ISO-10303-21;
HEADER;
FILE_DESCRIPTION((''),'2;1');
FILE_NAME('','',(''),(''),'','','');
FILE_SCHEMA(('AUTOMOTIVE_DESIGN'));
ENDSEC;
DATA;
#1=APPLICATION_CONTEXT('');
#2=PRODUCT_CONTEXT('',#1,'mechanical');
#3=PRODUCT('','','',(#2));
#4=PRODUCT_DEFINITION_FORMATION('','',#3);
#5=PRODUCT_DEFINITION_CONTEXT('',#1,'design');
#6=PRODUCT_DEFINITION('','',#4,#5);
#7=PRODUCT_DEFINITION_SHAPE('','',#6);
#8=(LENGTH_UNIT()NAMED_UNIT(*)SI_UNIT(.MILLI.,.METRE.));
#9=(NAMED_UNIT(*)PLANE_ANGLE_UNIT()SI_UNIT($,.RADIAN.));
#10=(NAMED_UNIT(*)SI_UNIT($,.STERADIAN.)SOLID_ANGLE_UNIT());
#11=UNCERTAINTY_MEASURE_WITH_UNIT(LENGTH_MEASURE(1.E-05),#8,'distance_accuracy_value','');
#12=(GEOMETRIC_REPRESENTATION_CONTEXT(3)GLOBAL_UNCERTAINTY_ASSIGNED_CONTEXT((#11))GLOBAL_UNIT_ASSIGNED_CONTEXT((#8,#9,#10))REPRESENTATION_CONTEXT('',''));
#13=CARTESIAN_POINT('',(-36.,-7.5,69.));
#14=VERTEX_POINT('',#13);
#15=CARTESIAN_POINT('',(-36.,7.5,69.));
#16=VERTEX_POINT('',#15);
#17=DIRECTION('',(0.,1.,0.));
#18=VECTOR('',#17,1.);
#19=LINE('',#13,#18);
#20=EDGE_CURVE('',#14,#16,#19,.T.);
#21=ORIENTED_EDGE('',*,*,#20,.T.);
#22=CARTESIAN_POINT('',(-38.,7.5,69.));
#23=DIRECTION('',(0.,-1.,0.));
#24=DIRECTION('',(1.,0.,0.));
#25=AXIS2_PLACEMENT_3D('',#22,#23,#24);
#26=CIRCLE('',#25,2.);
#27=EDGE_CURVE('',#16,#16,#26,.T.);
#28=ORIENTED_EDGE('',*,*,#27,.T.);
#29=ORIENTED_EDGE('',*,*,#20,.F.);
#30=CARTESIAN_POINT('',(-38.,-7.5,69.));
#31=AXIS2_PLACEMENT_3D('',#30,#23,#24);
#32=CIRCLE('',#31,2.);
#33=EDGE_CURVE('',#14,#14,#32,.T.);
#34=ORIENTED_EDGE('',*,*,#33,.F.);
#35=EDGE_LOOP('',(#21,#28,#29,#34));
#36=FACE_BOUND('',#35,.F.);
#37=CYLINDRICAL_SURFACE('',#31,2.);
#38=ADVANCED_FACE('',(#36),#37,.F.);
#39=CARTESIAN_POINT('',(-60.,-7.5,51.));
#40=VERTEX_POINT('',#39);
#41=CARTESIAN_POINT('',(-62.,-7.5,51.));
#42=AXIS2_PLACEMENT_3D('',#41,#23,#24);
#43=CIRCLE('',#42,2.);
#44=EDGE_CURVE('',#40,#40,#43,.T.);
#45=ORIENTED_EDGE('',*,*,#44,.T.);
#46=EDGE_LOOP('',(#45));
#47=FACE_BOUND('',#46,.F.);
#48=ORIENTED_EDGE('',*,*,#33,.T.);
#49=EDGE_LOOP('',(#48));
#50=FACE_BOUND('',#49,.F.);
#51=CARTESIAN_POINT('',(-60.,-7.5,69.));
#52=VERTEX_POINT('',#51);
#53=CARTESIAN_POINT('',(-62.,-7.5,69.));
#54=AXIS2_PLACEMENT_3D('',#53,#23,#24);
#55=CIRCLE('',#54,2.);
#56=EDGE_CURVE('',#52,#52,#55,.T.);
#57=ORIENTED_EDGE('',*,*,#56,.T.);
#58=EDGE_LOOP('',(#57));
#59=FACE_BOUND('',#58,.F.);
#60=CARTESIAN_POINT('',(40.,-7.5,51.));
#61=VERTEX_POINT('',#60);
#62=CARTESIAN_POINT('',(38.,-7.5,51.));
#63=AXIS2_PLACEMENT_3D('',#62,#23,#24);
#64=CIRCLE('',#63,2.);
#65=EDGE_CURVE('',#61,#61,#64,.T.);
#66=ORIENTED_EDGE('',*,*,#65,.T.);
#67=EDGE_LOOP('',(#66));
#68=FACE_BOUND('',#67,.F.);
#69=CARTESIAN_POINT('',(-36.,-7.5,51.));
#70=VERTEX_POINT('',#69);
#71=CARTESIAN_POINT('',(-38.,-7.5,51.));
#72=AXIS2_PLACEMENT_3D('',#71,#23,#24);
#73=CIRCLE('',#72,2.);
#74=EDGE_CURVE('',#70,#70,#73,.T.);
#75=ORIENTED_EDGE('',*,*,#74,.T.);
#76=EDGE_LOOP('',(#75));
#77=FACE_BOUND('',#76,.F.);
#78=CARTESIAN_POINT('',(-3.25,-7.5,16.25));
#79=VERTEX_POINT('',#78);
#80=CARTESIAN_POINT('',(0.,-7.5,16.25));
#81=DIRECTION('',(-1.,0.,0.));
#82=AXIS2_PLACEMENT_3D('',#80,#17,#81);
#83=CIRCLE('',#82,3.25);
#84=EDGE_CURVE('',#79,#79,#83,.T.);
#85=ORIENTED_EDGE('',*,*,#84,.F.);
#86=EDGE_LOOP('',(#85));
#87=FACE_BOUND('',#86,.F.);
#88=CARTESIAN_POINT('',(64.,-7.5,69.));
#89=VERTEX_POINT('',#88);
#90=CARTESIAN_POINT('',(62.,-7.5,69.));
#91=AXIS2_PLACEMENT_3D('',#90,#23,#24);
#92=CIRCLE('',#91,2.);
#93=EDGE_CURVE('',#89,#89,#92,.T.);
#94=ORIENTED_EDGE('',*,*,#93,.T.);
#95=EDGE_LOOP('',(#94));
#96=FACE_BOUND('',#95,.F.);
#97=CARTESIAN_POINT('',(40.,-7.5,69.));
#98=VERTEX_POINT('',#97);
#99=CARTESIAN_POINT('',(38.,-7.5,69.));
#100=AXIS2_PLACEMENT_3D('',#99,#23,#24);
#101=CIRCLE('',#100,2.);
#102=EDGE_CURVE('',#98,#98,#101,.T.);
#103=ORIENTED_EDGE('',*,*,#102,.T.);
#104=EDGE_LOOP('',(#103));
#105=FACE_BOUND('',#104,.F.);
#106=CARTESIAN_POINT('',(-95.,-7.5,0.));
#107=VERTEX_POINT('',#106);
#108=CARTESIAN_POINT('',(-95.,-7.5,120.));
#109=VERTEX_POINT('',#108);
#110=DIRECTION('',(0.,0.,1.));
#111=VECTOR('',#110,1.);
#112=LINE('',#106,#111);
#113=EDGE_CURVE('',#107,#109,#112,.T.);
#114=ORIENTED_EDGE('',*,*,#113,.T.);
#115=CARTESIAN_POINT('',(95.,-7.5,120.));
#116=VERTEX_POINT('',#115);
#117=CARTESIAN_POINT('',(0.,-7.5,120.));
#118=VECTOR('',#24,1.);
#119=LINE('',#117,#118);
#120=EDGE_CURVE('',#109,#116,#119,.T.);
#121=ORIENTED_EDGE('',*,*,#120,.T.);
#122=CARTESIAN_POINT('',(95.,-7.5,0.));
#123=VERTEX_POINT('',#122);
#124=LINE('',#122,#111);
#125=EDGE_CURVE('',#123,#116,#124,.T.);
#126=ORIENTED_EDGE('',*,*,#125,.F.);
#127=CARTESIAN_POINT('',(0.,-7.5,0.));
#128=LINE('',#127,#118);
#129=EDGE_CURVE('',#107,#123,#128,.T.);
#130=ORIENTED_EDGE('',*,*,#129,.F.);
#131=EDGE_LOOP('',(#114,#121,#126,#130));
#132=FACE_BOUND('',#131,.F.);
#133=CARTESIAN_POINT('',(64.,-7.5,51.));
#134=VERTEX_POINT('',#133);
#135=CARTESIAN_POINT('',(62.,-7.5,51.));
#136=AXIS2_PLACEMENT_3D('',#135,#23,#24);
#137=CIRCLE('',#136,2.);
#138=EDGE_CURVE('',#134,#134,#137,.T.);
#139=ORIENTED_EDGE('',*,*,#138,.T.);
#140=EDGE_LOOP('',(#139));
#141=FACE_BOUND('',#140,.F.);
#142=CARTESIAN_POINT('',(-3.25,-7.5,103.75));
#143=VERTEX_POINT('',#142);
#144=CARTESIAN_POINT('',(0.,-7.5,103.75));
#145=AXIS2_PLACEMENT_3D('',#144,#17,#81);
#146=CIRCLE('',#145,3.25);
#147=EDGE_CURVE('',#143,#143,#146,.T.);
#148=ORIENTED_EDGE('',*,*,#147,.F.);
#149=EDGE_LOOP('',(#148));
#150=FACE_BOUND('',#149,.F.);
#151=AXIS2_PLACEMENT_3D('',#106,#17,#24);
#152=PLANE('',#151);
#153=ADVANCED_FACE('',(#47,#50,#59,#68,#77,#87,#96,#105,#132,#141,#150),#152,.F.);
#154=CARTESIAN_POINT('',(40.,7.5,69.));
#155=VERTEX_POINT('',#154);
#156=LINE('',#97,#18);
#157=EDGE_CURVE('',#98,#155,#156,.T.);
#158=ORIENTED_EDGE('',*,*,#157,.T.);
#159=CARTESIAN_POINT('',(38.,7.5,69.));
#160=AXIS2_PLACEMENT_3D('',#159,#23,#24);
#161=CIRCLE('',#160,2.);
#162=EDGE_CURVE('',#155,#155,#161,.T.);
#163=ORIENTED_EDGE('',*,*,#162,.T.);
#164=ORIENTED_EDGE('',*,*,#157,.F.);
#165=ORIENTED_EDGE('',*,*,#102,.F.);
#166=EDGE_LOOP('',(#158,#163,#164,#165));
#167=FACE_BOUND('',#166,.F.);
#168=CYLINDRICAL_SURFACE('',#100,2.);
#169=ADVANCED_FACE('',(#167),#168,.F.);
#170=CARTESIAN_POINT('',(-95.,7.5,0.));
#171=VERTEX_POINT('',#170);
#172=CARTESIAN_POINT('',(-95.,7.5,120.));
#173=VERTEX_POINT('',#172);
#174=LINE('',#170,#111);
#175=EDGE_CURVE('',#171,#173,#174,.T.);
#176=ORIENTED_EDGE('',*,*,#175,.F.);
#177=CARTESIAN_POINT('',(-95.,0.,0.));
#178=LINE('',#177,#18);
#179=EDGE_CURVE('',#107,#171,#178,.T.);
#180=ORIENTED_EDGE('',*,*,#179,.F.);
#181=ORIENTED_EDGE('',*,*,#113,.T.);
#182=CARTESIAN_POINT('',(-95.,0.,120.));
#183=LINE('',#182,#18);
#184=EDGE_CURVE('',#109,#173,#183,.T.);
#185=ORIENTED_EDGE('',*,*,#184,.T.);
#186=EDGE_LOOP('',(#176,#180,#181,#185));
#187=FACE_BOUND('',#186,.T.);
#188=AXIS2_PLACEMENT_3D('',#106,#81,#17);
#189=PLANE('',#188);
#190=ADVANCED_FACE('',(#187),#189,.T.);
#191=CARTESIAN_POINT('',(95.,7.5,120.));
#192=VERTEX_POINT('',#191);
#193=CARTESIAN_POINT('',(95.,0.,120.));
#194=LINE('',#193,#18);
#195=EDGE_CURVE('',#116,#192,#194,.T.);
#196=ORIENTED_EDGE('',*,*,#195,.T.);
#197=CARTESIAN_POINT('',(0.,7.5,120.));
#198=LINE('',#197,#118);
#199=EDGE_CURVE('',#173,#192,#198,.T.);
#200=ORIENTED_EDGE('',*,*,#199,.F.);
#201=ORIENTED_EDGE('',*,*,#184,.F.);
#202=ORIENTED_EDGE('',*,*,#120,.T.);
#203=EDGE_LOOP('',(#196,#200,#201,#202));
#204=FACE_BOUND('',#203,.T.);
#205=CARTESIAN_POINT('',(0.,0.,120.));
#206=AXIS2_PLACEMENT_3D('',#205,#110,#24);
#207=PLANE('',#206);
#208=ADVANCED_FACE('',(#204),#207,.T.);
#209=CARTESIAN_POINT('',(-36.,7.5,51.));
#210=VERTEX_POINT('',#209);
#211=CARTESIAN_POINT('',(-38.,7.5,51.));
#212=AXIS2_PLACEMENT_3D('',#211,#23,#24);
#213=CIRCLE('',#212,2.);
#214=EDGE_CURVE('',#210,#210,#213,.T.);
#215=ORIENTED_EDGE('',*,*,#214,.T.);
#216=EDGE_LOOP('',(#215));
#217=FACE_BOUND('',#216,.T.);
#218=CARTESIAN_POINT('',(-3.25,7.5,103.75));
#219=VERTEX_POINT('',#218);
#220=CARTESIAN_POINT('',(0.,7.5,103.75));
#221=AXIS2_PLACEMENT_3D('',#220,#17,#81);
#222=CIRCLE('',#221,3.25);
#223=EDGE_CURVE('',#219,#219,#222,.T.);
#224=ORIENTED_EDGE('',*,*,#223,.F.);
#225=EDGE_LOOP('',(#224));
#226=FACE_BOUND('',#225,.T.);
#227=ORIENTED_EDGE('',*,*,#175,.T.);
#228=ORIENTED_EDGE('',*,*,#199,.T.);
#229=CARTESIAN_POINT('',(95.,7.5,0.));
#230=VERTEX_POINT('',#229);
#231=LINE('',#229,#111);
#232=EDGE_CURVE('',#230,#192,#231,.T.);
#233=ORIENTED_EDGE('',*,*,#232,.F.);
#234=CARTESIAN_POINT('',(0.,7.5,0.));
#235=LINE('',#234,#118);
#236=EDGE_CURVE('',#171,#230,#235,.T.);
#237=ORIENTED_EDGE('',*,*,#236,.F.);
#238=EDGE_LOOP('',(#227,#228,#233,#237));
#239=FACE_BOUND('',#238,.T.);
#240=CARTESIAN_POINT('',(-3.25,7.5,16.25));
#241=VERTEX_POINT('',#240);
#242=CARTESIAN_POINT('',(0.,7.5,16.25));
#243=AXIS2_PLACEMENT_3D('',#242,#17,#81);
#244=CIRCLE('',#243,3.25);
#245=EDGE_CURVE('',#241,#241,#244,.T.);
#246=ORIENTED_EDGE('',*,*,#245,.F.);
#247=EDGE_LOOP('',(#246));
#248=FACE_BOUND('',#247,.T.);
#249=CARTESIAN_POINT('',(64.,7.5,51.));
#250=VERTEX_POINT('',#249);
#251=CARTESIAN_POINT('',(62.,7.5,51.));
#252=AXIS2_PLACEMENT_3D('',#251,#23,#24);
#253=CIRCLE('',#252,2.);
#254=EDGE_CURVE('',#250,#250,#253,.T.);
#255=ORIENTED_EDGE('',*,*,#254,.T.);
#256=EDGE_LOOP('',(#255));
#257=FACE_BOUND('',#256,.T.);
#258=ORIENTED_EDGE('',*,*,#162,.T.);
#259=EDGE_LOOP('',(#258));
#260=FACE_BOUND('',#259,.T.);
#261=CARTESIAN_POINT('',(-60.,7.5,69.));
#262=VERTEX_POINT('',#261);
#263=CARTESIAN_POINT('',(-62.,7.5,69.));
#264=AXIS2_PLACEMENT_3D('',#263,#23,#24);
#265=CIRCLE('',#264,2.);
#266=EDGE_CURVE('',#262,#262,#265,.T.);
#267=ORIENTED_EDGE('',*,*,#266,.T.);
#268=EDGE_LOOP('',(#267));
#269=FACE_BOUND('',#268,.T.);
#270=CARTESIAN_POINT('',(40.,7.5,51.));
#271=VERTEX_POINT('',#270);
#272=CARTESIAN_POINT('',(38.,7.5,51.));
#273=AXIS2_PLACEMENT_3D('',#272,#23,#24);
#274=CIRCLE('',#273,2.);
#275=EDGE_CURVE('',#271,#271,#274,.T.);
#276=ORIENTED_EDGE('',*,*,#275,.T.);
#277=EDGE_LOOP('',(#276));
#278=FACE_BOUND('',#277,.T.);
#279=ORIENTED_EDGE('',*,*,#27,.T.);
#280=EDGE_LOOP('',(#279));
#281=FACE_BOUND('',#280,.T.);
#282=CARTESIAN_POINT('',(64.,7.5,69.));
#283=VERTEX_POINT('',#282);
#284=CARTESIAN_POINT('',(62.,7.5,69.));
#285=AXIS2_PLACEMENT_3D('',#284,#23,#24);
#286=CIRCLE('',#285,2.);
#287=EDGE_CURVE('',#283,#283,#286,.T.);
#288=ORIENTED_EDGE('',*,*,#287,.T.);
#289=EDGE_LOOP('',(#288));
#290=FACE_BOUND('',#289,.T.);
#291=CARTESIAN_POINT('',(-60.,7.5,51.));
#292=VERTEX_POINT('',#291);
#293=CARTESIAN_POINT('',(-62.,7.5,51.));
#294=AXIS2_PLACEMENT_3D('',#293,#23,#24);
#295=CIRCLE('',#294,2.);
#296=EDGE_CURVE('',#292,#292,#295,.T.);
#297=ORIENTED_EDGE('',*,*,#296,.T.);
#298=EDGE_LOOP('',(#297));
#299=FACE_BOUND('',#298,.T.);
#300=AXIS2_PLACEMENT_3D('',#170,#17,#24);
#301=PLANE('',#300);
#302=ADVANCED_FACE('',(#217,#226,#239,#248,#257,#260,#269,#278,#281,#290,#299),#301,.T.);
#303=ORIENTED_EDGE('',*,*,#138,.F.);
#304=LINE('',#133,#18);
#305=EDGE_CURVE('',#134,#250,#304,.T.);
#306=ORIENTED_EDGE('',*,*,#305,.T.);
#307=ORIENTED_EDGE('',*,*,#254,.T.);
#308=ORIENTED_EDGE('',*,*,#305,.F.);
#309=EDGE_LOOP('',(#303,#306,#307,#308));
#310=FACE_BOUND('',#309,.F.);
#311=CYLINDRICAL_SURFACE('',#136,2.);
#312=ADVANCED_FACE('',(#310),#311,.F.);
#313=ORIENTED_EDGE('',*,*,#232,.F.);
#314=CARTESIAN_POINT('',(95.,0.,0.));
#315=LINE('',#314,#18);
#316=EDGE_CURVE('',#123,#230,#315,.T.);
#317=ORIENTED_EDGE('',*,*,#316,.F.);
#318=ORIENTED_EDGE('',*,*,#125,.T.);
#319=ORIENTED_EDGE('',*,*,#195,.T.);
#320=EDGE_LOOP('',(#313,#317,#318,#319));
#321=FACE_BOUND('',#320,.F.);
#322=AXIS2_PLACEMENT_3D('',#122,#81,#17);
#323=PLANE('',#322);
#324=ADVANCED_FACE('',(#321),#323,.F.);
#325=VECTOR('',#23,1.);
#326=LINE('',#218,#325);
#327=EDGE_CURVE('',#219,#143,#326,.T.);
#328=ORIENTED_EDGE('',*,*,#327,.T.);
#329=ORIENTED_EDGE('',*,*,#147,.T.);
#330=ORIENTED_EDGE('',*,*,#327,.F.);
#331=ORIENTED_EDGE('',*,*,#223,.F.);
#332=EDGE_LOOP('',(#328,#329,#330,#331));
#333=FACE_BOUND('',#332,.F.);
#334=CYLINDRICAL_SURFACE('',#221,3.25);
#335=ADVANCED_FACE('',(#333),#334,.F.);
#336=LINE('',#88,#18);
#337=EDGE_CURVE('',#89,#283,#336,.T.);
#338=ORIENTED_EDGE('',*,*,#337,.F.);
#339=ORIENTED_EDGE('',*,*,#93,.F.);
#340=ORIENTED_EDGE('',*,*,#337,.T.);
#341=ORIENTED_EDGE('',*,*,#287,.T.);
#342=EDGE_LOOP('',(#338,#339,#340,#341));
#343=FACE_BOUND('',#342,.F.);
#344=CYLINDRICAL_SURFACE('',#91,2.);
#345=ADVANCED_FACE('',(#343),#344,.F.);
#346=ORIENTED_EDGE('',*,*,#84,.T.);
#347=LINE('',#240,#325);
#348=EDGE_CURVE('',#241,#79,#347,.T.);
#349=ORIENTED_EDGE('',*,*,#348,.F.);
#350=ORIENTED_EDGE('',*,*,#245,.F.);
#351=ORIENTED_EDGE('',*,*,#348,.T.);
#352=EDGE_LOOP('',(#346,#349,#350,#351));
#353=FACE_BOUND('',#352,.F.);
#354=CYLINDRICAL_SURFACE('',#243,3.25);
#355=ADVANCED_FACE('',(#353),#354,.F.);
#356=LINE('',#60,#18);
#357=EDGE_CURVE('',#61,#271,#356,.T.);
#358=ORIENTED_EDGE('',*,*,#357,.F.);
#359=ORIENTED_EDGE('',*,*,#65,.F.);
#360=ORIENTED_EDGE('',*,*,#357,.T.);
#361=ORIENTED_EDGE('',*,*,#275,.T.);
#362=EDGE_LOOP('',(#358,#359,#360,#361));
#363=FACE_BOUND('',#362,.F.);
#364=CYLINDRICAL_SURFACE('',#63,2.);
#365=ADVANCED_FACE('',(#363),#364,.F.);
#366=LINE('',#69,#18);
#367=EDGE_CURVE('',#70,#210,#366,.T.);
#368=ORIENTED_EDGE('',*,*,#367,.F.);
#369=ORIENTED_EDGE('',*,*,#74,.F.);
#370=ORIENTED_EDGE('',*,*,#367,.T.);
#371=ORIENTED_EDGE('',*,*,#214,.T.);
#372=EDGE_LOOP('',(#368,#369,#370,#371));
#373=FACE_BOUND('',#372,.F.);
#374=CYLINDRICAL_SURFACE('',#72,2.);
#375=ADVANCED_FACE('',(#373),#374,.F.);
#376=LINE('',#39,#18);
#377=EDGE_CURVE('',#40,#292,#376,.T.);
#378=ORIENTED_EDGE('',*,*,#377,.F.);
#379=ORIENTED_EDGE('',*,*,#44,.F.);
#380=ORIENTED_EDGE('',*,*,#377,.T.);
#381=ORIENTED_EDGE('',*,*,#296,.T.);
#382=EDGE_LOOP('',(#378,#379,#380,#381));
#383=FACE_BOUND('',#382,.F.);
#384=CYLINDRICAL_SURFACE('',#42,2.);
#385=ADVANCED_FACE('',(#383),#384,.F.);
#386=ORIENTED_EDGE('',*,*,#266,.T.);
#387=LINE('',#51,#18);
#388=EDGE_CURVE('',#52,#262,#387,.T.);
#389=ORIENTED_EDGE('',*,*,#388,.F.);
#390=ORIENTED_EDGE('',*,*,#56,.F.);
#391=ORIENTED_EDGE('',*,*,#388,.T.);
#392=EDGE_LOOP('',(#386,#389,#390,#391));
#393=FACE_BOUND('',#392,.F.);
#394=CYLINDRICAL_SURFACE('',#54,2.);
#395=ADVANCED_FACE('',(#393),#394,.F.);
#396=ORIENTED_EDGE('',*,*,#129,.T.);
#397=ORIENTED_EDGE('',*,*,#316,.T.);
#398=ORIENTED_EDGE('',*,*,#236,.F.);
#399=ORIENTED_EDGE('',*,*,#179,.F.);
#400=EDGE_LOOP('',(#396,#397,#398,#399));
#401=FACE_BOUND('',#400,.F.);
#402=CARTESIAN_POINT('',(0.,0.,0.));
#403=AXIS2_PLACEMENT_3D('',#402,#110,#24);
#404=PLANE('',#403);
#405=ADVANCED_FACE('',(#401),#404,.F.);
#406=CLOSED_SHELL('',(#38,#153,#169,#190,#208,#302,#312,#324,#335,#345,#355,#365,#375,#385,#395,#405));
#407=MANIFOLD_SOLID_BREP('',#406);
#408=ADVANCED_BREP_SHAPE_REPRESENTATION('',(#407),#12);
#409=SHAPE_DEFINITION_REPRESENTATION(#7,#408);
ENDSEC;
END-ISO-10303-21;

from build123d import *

# Parameters (mm, degrees)
F0_W     = 190
F0_H     = 15
F1_DEPTH = 120
F2_R     = 2
F2_R_2   = 0.903802
F2_R_3   = 1.110636
F2_R_4   = 1.007085
F3_DEPTH = 15.001
F4_R     = 3.25
F5_DEPTH = 15.001


with BuildPart() as f1:
    # F0 (on Top) → F1 (new body)
    with BuildSketch(Plane.XY):
        Rectangle(F0_W, F0_H)
    extrude(amount=F1_DEPTH)

    # F2 (on face) → F3 (cut, through all)
    with BuildSketch(Plane.XZ.offset(7.5)):
        with Locations((-62, 69)):
            Circle(F2_R)
        with Locations((-161.054239, -20.151298)):
            Circle(F2_R_2)
        with Locations((-164.950773, -26.284985)):
            Circle(F2_R_3)
        with Locations((-381.1506, -111.366101)):
            Circle(F2_R_4)
        with Locations((-38, 69)):
            Circle(F2_R)
        with Locations((-62, 51)):
            Circle(F2_R)
        with Locations((-38, 51)):
            Circle(F2_R)
        with Locations((38, 51)):
            Circle(F2_R)
        with Locations((62, 51)):
            Circle(F2_R)
        with Locations((38, 69)):
            Circle(F2_R)
        with Locations((62, 69)):
            Circle(F2_R)
    extrude(amount=-F3_DEPTH, mode=Mode.SUBTRACT)

    # F4 (on face) → F5 (cut, through all)
    with BuildSketch(Plane(origin=(0, 7.5, 0), x_dir=(-1, 0, 0), z_dir=(0, 1, 0))):
        with Locations((0, 103.75)):
            Circle(F4_R)
        with Locations((0, 16.25)):
            Circle(F4_R)
    extrude(amount=-F5_DEPTH, mode=Mode.SUBTRACT)


solid = f1.part
